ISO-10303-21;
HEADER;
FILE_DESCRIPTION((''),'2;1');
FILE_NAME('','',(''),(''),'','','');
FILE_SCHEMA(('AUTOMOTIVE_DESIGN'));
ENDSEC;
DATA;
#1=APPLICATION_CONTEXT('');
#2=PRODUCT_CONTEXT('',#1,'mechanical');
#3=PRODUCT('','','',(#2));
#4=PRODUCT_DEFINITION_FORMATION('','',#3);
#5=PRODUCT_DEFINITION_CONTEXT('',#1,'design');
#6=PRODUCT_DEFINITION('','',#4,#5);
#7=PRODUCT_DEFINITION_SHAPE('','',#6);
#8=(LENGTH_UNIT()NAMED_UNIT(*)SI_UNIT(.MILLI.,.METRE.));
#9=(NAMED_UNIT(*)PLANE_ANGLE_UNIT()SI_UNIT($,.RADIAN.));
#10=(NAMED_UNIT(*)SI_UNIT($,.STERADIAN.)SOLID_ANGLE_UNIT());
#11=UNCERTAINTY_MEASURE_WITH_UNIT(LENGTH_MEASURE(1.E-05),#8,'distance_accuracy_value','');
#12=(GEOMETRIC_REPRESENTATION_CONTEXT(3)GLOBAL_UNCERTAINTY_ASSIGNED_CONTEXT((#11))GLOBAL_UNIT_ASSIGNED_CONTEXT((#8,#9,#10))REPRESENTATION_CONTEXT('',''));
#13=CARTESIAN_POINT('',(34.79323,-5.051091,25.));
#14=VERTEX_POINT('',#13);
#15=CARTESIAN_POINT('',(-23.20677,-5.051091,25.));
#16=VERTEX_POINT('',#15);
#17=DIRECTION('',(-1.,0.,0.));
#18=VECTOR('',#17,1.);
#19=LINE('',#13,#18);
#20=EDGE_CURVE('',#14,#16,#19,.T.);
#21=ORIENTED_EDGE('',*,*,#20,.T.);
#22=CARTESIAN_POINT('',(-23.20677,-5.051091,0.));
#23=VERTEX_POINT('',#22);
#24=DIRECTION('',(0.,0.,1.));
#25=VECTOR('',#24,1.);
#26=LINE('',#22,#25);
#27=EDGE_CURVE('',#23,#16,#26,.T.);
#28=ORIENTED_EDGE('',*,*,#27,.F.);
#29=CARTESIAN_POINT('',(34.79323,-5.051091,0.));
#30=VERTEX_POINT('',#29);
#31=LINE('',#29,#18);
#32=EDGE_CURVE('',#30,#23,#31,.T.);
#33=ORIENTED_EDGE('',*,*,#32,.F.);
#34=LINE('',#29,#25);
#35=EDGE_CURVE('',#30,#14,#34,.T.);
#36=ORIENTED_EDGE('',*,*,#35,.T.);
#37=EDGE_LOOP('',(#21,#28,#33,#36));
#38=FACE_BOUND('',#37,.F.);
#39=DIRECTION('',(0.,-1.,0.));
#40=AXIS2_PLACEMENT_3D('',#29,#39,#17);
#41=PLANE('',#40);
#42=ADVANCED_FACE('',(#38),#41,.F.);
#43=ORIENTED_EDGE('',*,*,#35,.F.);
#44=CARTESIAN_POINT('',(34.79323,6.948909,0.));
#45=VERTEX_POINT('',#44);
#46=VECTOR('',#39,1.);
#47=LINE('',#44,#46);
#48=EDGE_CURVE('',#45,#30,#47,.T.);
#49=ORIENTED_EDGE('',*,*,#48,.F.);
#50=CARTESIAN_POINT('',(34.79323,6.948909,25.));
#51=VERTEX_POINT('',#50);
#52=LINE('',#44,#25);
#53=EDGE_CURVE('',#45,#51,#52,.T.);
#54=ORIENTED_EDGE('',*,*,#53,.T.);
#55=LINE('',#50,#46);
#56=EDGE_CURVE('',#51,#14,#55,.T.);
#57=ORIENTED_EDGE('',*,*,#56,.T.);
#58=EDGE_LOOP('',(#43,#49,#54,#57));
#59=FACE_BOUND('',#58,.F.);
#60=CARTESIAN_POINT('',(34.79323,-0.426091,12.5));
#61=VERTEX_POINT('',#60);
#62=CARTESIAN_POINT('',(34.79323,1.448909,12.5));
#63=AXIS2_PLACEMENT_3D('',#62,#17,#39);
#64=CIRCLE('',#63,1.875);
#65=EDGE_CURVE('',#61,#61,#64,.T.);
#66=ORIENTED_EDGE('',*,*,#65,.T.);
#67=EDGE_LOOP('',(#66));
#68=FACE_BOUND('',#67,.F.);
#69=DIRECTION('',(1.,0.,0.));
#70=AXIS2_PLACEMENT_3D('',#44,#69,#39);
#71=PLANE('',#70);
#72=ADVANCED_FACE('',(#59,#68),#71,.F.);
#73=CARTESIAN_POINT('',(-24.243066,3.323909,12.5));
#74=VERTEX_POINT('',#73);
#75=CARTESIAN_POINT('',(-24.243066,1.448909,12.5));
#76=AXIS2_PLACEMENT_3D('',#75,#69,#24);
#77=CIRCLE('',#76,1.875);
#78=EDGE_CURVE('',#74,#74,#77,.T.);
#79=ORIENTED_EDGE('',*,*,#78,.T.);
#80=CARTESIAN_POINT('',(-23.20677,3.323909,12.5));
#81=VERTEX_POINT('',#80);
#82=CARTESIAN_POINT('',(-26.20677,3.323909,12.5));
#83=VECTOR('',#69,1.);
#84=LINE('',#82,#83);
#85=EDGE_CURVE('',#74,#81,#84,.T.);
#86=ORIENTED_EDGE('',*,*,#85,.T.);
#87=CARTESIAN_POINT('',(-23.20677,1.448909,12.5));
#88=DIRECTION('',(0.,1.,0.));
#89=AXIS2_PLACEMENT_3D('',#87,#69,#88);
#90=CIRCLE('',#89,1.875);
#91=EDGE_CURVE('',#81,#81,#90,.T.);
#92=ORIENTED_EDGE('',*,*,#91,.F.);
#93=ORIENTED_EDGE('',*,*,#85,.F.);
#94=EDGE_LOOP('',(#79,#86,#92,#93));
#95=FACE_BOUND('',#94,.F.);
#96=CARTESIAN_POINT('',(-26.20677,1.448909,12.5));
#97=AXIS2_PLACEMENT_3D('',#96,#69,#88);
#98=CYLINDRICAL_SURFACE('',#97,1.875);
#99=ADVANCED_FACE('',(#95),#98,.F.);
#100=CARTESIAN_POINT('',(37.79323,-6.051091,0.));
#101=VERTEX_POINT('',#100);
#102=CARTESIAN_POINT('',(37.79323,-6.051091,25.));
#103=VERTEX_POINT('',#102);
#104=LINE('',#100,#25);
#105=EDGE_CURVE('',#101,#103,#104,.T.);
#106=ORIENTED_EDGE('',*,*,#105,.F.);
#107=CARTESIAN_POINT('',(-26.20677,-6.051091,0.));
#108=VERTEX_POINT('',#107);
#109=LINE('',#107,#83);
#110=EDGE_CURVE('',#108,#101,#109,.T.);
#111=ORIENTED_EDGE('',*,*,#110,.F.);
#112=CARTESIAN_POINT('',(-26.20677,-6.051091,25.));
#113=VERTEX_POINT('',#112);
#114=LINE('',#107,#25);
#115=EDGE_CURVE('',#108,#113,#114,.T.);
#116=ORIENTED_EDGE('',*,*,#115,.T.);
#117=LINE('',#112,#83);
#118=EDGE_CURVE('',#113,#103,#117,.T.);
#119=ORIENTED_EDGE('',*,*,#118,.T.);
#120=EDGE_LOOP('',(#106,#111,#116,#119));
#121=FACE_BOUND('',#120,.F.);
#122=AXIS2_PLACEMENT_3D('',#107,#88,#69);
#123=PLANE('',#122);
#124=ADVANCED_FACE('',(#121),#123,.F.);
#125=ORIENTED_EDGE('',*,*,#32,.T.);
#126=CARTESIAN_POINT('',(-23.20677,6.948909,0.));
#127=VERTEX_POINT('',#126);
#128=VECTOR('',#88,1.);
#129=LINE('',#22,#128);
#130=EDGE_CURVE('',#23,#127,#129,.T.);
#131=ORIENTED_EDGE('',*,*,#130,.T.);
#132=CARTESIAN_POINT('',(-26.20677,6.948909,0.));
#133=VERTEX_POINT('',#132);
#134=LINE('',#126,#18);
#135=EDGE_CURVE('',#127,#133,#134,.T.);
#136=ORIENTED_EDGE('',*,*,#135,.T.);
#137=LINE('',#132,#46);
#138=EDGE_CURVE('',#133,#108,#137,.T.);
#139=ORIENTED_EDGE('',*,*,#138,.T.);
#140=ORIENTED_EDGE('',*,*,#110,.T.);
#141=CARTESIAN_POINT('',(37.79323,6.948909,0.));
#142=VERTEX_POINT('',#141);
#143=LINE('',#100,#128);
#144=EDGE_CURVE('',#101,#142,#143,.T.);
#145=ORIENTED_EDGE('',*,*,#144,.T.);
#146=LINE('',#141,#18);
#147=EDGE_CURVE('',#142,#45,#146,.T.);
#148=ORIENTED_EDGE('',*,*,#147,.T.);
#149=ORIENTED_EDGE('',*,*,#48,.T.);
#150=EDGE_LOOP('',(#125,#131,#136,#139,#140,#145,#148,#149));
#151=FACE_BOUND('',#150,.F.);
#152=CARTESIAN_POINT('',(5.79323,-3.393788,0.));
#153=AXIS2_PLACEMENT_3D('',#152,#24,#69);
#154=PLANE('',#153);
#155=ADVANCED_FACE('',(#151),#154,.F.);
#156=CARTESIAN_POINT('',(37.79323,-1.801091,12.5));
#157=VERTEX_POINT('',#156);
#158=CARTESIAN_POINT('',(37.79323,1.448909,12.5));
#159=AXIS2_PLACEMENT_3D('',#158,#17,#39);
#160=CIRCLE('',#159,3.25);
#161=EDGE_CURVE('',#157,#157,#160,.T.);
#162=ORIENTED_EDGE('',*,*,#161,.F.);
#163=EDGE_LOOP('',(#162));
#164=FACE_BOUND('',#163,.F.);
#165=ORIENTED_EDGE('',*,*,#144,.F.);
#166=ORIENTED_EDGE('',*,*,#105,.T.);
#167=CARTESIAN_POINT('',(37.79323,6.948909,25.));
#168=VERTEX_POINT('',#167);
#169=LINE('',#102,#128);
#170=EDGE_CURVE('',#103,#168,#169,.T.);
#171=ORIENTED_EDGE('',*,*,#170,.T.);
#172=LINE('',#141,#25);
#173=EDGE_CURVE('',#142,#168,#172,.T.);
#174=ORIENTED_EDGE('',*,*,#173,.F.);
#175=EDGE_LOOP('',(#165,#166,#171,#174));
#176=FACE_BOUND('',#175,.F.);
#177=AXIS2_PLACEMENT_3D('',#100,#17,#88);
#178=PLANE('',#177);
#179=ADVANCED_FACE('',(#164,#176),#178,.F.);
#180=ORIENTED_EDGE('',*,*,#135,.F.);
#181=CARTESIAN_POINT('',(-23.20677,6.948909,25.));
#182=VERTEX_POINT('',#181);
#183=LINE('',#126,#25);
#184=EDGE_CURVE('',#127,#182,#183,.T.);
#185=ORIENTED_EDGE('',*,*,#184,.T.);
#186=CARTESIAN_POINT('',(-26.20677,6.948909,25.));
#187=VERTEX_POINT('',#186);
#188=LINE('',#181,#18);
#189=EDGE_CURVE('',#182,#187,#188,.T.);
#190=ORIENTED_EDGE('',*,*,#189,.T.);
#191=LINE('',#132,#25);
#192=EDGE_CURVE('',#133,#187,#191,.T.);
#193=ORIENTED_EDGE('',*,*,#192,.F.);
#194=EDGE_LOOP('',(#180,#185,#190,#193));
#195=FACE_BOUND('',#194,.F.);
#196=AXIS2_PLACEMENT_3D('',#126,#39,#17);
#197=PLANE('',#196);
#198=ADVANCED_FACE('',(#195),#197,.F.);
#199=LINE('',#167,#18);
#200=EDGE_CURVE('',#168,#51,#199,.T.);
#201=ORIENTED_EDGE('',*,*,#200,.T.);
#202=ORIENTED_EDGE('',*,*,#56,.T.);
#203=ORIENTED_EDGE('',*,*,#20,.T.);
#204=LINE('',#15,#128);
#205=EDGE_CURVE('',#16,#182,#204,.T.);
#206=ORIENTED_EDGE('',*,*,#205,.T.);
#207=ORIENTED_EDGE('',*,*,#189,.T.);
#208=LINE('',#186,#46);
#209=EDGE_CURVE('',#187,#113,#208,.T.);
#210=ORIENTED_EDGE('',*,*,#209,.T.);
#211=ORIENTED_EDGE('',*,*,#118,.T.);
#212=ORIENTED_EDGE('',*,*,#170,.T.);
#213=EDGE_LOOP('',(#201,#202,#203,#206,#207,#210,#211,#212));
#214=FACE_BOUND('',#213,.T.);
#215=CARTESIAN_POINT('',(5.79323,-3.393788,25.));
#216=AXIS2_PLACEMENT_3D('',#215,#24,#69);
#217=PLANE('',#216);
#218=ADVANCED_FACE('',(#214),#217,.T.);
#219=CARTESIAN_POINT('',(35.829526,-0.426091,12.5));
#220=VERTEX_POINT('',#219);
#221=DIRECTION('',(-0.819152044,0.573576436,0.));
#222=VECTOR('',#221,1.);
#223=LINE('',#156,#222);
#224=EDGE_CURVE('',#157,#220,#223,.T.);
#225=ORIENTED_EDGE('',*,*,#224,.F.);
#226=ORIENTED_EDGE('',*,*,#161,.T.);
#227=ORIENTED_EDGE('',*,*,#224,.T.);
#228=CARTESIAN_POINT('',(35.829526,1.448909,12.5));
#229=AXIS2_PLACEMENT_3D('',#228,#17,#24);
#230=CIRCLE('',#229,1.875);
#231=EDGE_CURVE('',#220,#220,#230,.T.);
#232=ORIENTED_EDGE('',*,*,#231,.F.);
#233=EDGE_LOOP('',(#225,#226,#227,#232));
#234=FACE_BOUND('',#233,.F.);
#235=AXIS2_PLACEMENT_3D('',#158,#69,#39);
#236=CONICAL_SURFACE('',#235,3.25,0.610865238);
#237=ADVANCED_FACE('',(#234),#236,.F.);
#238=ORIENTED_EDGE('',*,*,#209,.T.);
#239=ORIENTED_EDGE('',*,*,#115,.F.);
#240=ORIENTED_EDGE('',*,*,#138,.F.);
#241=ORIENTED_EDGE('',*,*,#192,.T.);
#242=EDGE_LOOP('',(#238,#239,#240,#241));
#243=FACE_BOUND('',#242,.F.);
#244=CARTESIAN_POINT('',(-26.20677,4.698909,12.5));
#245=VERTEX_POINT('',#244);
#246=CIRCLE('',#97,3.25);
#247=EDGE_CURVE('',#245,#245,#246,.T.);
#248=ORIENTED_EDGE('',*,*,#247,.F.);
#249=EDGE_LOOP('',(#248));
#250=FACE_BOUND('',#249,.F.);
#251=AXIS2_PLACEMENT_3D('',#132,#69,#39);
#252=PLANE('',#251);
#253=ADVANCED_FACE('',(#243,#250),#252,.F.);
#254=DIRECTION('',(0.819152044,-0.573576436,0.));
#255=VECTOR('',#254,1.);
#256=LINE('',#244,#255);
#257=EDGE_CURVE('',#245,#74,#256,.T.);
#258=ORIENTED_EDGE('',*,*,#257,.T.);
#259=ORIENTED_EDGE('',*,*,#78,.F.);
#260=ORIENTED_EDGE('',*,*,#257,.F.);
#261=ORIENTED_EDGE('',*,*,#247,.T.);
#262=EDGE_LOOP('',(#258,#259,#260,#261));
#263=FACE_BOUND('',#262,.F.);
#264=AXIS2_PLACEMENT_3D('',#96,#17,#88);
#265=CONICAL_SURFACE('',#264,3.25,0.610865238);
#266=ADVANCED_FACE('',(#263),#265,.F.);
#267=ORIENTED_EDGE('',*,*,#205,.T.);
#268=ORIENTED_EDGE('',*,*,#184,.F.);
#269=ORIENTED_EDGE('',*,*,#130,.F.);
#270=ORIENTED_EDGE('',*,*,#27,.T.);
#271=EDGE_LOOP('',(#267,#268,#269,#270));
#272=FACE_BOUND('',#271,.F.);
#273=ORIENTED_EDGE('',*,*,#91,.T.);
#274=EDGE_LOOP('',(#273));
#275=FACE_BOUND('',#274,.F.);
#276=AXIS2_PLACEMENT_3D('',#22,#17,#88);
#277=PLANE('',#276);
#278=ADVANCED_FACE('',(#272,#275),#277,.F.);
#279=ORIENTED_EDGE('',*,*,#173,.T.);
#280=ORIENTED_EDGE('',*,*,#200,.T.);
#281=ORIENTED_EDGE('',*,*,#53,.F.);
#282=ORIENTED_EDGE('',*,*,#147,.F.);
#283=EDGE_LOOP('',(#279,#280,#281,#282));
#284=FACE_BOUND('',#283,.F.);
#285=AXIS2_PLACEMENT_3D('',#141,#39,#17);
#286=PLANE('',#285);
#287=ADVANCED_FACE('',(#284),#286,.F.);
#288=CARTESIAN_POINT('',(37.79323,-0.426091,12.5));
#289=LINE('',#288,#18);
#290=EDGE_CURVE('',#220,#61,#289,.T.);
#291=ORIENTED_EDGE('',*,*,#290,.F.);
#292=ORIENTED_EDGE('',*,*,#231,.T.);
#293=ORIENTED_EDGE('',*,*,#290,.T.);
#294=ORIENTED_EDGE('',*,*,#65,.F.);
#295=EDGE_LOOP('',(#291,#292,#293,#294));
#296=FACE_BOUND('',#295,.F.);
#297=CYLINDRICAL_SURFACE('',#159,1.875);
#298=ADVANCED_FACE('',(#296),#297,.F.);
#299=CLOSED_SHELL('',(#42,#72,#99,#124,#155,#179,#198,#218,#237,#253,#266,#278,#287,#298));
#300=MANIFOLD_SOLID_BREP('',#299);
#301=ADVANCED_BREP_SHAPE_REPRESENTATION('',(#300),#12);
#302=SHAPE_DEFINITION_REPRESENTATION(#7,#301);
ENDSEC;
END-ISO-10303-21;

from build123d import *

# Parameters (mm, degrees)
F1_DEPTH       = 25
F3_D           = 3.75
F3_DEPTH       = 6
F3_CSINK_D     = 6.5
F3_CSINK_ANGLE = 70
F5_D           = 3.75
F5_DEPTH       = 6
F5_CSINK_D     = 6.5
F5_CSINK_ANGLE = 70


with BuildPart() as f1:
    # F0 (on Top) → F1 (new body)
    with BuildSketch(Plane.XY):
        Polygon((-23.20677, 6.948909), (-26.20677, 6.948909), (-26.20677, -6.051091), (37.79323, -6.051091), (37.79323, 6.948909), (34.79323, 6.948909), (34.79323, -5.051091), (-23.20677, -5.051091), align=None)
    extrude(amount=F1_DEPTH)

    # F3
    with Locations(Plane(origin=(-26.20677, 0, 0), x_dir=(0, -1, 0), z_dir=(-1, 0, 0))):
        with Locations((-1.448909, 12.5)):
            CounterSinkHole(F3_D / 2, F3_CSINK_D / 2, depth=F3_DEPTH, counter_sink_angle=F3_CSINK_ANGLE)

    # F5
    with Locations(Plane.YZ.offset(37.79323)):
        with Locations((1.448909, 12.5)):
            CounterSinkHole(F5_D / 2, F5_CSINK_D / 2, depth=F5_DEPTH, counter_sink_angle=F5_CSINK_ANGLE)


solid = f1.part
